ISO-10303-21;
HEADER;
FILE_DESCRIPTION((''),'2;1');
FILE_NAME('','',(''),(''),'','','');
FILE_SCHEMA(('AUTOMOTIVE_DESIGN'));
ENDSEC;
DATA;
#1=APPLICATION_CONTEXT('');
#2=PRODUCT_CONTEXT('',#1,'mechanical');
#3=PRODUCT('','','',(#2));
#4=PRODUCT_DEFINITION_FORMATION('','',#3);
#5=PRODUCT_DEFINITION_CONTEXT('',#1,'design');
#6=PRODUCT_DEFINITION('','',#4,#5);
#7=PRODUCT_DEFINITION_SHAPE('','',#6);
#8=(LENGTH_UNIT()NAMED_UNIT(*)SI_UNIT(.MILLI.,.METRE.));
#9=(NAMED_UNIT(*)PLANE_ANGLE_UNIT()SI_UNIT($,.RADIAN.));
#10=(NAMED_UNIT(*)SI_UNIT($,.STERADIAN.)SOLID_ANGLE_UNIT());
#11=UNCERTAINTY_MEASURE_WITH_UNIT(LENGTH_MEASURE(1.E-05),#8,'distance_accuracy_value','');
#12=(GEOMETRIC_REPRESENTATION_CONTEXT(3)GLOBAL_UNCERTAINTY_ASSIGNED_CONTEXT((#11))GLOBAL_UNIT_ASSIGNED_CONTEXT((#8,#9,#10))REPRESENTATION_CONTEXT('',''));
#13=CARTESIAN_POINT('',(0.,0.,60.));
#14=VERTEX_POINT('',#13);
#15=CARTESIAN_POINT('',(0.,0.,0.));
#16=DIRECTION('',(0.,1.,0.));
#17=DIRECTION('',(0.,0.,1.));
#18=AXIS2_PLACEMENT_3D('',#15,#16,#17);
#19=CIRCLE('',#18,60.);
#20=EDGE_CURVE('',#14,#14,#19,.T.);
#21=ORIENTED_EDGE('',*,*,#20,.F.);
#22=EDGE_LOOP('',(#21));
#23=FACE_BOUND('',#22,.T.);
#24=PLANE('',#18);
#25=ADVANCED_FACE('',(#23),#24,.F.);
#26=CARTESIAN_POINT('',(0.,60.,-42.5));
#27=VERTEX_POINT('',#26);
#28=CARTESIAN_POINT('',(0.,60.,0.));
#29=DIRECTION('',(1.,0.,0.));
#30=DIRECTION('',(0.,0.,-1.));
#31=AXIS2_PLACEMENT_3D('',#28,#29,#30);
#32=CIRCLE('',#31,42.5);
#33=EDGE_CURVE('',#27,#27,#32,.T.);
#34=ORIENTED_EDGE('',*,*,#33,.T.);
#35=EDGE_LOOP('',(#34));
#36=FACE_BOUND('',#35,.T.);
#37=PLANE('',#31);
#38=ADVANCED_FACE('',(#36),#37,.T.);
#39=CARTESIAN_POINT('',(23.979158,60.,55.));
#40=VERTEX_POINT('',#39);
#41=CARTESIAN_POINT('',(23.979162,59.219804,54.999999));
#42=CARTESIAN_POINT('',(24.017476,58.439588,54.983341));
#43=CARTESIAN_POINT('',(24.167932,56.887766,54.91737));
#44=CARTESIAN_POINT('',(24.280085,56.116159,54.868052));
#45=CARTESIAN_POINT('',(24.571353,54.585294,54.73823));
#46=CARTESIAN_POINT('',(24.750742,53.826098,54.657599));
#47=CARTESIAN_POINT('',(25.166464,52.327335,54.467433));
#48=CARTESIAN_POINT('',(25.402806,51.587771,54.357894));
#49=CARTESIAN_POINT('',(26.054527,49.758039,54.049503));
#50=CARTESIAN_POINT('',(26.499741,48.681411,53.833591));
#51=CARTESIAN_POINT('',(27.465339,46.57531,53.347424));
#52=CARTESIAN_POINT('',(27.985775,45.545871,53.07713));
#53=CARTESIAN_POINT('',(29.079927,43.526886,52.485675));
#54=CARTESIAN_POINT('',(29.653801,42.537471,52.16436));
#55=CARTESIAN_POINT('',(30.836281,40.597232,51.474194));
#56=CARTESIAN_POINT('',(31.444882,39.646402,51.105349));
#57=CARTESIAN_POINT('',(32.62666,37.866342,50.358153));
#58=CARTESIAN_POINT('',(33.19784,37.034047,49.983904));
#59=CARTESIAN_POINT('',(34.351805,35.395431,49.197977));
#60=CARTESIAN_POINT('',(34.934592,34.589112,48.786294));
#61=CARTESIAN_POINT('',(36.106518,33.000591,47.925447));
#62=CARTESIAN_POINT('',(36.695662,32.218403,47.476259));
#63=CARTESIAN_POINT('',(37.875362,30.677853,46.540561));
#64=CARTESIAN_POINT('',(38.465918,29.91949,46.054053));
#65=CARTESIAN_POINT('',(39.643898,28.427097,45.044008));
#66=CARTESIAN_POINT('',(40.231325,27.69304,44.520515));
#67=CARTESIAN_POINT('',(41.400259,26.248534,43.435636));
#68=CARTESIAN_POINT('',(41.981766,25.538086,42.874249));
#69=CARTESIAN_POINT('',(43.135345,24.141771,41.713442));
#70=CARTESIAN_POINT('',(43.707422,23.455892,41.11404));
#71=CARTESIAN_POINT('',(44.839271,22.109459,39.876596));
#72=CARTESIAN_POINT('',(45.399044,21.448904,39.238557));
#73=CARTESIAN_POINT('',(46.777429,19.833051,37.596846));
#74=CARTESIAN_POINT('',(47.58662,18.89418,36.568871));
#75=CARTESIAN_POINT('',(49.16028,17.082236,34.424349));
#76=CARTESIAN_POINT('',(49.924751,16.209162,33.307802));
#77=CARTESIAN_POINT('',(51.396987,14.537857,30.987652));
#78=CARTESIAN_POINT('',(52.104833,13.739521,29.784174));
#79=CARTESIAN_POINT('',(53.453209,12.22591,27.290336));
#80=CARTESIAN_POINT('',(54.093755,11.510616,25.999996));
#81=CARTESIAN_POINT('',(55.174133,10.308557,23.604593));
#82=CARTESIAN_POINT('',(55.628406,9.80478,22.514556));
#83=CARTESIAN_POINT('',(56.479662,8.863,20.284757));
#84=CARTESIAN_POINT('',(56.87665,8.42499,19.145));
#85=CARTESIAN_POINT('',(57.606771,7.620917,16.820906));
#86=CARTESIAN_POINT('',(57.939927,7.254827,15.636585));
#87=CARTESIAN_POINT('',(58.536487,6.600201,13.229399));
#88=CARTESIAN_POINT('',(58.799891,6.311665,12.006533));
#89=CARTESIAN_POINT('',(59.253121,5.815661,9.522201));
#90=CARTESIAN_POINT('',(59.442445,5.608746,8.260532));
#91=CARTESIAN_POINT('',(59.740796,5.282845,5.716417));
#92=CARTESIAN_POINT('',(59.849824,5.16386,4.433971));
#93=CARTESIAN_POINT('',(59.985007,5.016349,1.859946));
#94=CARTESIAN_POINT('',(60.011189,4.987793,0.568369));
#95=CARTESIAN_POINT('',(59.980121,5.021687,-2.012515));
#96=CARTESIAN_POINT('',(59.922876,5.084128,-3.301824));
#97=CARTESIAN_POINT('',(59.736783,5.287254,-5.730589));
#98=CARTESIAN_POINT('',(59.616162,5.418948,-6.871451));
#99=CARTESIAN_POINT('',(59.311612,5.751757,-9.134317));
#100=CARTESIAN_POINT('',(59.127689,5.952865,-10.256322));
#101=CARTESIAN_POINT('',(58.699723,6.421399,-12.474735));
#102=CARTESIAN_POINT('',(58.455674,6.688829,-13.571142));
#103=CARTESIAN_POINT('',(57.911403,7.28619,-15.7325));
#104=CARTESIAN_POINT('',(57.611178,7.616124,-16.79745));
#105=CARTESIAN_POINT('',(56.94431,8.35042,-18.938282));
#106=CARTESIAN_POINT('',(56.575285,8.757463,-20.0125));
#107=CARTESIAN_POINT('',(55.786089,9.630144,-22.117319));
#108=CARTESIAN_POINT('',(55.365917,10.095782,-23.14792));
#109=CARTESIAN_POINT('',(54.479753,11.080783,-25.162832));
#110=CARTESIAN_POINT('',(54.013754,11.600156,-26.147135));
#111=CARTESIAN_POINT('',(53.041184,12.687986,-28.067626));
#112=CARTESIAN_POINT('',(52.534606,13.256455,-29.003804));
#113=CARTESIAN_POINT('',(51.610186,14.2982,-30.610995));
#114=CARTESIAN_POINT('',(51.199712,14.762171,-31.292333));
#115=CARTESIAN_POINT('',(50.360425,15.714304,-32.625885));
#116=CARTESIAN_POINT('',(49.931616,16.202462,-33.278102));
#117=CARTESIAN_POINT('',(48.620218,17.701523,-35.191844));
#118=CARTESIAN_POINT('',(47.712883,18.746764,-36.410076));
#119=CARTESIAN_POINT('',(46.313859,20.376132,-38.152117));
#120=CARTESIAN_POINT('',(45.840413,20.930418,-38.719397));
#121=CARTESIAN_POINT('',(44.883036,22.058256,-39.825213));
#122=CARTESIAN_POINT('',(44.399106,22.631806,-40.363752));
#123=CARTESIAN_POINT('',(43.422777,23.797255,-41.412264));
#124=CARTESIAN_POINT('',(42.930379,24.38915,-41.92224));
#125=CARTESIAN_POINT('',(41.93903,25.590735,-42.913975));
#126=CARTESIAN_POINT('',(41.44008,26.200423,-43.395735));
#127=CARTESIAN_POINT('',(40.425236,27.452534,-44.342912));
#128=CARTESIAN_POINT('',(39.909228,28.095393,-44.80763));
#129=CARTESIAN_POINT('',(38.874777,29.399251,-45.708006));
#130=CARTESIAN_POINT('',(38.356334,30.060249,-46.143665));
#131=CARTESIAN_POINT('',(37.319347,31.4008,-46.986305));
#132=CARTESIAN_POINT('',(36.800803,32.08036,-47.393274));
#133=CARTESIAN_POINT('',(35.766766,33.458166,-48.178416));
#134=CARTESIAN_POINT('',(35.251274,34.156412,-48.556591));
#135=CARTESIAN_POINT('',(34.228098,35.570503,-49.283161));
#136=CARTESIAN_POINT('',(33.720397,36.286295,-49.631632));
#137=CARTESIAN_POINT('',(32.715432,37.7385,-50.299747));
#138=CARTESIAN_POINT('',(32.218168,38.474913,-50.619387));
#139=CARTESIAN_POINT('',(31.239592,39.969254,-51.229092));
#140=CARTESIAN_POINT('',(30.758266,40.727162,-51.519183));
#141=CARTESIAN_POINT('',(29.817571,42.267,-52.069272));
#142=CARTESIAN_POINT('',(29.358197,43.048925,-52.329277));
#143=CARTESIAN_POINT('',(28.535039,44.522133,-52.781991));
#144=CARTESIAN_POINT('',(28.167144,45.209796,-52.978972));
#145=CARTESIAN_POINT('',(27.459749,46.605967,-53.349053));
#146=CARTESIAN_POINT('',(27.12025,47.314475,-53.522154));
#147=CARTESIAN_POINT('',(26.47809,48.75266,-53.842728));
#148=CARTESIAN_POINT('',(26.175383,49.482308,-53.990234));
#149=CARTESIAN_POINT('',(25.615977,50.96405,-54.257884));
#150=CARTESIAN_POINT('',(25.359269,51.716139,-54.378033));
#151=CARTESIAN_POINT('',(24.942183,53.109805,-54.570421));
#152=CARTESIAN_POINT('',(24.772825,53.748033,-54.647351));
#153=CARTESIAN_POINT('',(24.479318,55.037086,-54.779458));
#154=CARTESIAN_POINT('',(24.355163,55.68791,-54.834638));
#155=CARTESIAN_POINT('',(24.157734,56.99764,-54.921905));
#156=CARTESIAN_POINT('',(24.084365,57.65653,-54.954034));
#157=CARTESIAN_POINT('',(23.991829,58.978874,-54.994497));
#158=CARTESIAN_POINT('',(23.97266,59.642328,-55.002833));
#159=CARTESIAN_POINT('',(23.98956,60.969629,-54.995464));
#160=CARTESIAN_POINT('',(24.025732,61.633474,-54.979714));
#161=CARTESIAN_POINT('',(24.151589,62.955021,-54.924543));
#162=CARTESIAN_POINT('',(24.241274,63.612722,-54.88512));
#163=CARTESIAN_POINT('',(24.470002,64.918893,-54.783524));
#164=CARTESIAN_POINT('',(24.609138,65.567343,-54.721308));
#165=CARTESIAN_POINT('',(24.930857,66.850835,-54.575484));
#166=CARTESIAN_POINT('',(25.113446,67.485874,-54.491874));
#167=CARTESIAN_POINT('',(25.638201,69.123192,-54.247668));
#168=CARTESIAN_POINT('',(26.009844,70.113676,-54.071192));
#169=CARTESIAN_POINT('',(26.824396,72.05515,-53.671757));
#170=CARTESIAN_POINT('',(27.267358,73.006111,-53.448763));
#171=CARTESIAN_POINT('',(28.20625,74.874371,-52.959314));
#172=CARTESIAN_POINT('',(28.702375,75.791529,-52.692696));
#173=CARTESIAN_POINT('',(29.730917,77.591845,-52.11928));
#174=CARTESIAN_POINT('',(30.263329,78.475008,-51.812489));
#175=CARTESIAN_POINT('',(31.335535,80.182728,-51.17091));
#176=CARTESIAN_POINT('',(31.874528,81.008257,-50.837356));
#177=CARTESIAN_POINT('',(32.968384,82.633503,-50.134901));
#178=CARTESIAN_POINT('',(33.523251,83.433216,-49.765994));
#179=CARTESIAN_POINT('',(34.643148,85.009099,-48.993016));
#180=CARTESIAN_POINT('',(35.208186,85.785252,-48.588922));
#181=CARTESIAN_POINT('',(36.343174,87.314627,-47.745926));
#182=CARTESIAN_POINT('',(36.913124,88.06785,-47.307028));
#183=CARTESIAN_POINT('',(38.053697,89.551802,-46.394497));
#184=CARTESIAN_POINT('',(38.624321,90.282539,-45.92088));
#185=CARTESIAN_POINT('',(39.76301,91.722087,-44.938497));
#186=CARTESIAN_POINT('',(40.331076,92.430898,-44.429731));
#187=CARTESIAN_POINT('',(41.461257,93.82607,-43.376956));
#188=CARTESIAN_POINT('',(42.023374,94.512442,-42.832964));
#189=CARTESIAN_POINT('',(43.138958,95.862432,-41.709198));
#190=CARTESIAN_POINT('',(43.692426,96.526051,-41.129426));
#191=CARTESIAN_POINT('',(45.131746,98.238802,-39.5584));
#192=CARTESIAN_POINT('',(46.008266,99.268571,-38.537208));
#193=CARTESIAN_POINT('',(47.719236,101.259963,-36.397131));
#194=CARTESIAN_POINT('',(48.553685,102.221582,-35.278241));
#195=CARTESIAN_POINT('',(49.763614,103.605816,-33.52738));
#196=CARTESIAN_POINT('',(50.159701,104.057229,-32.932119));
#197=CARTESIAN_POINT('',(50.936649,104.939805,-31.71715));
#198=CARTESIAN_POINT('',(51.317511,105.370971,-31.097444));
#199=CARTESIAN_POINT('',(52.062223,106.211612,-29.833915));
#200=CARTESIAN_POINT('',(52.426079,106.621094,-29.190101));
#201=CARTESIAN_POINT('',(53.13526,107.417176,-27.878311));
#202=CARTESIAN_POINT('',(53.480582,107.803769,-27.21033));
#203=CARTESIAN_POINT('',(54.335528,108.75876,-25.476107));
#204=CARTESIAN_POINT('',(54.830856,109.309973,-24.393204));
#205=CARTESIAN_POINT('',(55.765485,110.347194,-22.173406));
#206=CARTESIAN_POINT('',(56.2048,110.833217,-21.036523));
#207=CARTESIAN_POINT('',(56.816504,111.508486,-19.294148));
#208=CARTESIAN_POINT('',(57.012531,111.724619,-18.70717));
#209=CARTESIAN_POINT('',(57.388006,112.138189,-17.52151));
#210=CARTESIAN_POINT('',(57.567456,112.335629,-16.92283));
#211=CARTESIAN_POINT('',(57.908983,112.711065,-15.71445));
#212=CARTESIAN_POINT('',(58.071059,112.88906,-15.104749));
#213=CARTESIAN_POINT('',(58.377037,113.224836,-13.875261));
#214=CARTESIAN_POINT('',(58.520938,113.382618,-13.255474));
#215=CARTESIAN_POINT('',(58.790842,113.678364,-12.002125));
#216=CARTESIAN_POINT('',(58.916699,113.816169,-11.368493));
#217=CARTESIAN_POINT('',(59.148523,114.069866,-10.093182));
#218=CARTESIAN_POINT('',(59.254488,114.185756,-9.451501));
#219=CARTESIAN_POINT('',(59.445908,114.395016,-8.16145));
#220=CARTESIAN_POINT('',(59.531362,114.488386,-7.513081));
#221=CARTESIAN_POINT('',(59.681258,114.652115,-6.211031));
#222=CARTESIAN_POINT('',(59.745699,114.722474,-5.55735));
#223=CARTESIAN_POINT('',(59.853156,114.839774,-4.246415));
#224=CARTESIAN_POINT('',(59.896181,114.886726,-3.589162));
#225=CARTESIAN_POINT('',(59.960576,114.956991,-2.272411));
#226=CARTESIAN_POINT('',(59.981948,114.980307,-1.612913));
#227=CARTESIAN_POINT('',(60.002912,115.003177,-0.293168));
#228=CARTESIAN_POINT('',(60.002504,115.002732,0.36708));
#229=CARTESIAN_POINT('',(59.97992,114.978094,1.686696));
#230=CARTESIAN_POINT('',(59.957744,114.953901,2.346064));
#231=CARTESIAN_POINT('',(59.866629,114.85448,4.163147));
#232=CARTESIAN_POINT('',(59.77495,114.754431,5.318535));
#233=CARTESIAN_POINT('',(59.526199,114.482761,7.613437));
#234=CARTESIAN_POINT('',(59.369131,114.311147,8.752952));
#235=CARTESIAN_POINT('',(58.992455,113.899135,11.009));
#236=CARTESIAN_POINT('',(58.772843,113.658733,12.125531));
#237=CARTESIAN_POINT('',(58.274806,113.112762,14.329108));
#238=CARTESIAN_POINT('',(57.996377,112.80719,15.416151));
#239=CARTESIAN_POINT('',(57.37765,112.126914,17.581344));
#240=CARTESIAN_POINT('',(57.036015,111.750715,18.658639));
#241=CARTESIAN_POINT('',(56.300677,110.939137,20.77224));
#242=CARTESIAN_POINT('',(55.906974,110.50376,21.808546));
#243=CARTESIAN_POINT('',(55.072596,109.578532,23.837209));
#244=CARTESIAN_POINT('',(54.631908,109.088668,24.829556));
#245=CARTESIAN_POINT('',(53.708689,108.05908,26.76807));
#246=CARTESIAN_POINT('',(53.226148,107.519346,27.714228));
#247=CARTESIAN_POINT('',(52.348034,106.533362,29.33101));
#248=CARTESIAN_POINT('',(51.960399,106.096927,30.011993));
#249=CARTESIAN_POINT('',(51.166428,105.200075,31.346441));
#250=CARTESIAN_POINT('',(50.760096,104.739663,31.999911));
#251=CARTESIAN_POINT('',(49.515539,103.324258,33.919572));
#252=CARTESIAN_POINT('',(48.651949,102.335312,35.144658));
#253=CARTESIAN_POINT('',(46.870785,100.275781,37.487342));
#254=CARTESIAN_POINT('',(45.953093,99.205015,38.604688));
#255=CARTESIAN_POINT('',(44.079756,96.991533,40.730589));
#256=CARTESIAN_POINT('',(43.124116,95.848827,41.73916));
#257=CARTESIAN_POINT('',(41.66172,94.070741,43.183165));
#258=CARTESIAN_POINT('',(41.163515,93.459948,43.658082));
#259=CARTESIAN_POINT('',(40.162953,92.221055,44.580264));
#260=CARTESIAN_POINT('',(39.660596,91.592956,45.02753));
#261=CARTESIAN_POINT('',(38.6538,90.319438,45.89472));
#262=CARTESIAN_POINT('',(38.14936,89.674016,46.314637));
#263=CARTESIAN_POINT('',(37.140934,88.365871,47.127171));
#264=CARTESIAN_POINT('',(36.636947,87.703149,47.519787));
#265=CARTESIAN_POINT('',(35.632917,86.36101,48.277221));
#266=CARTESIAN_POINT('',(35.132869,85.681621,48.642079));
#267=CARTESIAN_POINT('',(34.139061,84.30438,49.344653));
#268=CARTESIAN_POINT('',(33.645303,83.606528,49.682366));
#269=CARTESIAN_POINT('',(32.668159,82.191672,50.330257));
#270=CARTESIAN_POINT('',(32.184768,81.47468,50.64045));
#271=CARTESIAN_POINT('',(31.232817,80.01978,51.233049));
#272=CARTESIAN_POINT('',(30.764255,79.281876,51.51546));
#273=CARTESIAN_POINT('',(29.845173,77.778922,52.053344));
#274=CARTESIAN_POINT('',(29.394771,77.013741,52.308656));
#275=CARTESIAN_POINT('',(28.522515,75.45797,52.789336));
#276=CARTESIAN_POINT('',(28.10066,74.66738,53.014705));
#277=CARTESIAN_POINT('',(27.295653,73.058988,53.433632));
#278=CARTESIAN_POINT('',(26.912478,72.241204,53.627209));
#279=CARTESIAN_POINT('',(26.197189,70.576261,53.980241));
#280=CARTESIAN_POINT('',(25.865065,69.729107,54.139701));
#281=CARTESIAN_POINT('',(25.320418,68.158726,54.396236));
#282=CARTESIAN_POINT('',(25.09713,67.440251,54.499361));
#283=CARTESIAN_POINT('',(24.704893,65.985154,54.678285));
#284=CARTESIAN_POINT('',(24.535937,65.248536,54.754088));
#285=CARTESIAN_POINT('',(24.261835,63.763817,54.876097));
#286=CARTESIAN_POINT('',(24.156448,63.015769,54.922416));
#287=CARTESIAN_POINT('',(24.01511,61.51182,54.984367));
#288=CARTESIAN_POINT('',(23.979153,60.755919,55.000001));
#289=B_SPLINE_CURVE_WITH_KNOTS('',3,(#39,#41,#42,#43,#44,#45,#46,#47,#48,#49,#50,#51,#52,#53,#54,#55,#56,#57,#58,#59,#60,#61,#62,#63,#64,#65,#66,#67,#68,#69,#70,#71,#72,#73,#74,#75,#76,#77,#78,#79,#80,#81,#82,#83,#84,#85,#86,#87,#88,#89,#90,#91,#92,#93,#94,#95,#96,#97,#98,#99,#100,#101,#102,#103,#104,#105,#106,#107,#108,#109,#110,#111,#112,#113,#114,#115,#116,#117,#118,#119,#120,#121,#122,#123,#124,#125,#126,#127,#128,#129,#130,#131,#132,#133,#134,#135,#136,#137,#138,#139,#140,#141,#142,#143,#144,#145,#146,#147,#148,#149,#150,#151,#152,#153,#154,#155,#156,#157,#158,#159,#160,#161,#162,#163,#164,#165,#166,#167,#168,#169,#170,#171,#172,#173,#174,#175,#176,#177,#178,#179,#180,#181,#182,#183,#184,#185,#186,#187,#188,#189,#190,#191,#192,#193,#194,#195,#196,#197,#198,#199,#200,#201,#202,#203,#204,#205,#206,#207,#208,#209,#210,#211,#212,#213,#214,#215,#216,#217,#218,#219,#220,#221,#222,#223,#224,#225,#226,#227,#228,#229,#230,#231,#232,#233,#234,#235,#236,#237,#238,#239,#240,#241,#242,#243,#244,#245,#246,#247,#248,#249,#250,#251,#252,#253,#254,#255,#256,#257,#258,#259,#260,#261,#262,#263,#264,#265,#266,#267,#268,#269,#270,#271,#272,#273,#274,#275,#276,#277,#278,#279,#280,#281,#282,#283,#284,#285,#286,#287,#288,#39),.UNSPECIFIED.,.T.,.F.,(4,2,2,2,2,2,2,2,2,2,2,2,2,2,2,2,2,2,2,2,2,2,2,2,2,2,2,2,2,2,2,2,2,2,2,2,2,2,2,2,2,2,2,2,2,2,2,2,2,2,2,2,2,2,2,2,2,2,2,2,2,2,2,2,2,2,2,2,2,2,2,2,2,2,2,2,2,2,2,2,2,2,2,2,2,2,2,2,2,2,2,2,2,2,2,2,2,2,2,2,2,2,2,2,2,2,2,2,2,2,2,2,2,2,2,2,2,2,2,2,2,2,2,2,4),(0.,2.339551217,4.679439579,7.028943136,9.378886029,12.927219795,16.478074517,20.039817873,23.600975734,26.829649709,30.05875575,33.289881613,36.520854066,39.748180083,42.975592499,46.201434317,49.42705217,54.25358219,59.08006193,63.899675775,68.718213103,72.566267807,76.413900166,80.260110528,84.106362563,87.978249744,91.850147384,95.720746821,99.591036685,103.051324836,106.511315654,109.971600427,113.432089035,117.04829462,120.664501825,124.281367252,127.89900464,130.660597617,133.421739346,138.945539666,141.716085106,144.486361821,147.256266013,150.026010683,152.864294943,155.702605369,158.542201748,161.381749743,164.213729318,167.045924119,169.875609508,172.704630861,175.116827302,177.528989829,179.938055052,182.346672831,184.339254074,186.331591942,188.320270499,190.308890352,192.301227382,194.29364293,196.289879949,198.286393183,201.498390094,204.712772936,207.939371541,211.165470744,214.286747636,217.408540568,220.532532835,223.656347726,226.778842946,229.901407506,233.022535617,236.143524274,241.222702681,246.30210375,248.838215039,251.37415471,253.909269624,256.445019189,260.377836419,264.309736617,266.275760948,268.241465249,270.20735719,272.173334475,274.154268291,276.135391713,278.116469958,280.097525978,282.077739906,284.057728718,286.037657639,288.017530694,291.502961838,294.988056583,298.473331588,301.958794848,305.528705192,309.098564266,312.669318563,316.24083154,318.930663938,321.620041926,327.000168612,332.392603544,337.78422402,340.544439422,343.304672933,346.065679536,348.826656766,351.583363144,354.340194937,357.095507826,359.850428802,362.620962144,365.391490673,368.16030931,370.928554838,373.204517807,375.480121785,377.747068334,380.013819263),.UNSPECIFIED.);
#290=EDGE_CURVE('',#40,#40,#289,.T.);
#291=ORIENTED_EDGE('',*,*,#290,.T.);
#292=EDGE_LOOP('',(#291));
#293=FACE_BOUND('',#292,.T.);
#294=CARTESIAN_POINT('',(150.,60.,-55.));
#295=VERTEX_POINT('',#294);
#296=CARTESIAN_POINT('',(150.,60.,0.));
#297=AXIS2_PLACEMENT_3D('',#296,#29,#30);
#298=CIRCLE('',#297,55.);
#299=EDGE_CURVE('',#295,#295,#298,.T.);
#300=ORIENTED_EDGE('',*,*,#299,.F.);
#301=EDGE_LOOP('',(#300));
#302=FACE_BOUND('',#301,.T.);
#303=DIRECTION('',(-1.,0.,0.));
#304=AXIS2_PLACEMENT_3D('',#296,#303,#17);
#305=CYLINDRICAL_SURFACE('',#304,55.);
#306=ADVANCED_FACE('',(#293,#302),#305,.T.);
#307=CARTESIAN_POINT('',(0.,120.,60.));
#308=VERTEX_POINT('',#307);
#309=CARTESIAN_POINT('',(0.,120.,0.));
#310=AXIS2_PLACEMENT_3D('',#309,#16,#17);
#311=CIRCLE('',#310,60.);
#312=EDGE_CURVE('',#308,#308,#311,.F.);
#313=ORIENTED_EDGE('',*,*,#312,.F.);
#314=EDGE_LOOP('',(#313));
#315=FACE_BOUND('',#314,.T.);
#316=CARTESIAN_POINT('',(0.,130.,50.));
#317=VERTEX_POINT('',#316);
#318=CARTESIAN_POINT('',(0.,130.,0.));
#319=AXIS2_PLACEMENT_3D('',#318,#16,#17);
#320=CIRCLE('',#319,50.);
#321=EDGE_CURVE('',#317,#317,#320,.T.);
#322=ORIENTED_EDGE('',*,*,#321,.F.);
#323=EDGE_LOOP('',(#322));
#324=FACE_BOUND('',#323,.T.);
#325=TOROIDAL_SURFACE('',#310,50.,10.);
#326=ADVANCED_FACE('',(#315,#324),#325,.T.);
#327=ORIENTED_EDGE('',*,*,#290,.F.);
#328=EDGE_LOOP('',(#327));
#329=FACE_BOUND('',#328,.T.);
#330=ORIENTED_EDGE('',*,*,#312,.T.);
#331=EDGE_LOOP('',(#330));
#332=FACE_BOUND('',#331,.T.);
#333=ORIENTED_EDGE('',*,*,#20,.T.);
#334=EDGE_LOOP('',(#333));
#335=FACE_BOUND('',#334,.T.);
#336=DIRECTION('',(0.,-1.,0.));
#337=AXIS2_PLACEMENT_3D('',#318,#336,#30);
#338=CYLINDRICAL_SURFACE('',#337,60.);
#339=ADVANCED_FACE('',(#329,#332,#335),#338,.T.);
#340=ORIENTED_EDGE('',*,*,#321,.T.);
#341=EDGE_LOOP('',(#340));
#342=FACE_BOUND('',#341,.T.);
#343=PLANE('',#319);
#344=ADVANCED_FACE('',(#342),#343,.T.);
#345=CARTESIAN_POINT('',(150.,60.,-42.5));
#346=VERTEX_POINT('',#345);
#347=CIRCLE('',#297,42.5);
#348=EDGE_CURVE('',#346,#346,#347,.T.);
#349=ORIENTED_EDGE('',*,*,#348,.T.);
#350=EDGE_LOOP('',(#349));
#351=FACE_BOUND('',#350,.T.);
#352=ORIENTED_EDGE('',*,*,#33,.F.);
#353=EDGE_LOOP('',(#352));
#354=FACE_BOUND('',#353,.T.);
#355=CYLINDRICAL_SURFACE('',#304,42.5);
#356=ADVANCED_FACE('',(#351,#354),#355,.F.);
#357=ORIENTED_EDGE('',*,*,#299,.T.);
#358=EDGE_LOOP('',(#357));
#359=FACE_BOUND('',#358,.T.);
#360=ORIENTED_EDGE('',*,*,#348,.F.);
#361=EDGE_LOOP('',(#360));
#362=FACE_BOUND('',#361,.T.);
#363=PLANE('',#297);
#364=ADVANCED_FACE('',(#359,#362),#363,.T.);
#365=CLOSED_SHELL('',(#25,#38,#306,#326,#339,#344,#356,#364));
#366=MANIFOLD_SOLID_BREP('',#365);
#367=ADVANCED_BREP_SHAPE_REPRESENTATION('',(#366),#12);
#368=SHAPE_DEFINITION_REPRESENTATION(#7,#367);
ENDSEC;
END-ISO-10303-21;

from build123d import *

# Parameters (mm, degrees)
SKETCH1_R           = 60
BOSS_EXTRUDE1_DEPTH = 130
FILLET1_R           = 10
SKETCH2_R           = 55
BOSS_EXTRUDE2_DEPTH = 150
SKETCH3_R           = 42.5
CUT_EXTRUDE1_DEPTH  = 150


with BuildPart() as part:
    # Sketch1 → Boss-Extrude1 (new body)
    with BuildSketch(Plane(origin=(0, 0, 0), x_dir=(1, 0, 0), z_dir=(0, 1, 0))):
        Circle(SKETCH1_R)
    extrude(amount=BOSS_EXTRUDE1_DEPTH)

    # Fillet1
    fillet1_edges = [part.edges().sort_by_distance(p)[0] for p in [
        (-60, 130, 0),
    ]]
    fillet(fillet1_edges, radius=FILLET1_R)

    # Sketch2 → Boss-Extrude2 (add)
    with BuildSketch(Plane(origin=(0, 0, 0), x_dir=(0, 0, -1), z_dir=(1, 0, 0))):
        with Locations((0, 60)):
            Circle(SKETCH2_R)
    extrude(amount=BOSS_EXTRUDE2_DEPTH)

    # Sketch3 → Cut-Extrude1 (cut)
    with BuildSketch(Plane(origin=(0, 0, 0), x_dir=(0, 0, -1), z_dir=(1, 0, 0))):
        with Locations((0, 60)):
            Circle(SKETCH3_R)
    extrude(amount=CUT_EXTRUDE1_DEPTH, mode=Mode.SUBTRACT)


solid = part.part
